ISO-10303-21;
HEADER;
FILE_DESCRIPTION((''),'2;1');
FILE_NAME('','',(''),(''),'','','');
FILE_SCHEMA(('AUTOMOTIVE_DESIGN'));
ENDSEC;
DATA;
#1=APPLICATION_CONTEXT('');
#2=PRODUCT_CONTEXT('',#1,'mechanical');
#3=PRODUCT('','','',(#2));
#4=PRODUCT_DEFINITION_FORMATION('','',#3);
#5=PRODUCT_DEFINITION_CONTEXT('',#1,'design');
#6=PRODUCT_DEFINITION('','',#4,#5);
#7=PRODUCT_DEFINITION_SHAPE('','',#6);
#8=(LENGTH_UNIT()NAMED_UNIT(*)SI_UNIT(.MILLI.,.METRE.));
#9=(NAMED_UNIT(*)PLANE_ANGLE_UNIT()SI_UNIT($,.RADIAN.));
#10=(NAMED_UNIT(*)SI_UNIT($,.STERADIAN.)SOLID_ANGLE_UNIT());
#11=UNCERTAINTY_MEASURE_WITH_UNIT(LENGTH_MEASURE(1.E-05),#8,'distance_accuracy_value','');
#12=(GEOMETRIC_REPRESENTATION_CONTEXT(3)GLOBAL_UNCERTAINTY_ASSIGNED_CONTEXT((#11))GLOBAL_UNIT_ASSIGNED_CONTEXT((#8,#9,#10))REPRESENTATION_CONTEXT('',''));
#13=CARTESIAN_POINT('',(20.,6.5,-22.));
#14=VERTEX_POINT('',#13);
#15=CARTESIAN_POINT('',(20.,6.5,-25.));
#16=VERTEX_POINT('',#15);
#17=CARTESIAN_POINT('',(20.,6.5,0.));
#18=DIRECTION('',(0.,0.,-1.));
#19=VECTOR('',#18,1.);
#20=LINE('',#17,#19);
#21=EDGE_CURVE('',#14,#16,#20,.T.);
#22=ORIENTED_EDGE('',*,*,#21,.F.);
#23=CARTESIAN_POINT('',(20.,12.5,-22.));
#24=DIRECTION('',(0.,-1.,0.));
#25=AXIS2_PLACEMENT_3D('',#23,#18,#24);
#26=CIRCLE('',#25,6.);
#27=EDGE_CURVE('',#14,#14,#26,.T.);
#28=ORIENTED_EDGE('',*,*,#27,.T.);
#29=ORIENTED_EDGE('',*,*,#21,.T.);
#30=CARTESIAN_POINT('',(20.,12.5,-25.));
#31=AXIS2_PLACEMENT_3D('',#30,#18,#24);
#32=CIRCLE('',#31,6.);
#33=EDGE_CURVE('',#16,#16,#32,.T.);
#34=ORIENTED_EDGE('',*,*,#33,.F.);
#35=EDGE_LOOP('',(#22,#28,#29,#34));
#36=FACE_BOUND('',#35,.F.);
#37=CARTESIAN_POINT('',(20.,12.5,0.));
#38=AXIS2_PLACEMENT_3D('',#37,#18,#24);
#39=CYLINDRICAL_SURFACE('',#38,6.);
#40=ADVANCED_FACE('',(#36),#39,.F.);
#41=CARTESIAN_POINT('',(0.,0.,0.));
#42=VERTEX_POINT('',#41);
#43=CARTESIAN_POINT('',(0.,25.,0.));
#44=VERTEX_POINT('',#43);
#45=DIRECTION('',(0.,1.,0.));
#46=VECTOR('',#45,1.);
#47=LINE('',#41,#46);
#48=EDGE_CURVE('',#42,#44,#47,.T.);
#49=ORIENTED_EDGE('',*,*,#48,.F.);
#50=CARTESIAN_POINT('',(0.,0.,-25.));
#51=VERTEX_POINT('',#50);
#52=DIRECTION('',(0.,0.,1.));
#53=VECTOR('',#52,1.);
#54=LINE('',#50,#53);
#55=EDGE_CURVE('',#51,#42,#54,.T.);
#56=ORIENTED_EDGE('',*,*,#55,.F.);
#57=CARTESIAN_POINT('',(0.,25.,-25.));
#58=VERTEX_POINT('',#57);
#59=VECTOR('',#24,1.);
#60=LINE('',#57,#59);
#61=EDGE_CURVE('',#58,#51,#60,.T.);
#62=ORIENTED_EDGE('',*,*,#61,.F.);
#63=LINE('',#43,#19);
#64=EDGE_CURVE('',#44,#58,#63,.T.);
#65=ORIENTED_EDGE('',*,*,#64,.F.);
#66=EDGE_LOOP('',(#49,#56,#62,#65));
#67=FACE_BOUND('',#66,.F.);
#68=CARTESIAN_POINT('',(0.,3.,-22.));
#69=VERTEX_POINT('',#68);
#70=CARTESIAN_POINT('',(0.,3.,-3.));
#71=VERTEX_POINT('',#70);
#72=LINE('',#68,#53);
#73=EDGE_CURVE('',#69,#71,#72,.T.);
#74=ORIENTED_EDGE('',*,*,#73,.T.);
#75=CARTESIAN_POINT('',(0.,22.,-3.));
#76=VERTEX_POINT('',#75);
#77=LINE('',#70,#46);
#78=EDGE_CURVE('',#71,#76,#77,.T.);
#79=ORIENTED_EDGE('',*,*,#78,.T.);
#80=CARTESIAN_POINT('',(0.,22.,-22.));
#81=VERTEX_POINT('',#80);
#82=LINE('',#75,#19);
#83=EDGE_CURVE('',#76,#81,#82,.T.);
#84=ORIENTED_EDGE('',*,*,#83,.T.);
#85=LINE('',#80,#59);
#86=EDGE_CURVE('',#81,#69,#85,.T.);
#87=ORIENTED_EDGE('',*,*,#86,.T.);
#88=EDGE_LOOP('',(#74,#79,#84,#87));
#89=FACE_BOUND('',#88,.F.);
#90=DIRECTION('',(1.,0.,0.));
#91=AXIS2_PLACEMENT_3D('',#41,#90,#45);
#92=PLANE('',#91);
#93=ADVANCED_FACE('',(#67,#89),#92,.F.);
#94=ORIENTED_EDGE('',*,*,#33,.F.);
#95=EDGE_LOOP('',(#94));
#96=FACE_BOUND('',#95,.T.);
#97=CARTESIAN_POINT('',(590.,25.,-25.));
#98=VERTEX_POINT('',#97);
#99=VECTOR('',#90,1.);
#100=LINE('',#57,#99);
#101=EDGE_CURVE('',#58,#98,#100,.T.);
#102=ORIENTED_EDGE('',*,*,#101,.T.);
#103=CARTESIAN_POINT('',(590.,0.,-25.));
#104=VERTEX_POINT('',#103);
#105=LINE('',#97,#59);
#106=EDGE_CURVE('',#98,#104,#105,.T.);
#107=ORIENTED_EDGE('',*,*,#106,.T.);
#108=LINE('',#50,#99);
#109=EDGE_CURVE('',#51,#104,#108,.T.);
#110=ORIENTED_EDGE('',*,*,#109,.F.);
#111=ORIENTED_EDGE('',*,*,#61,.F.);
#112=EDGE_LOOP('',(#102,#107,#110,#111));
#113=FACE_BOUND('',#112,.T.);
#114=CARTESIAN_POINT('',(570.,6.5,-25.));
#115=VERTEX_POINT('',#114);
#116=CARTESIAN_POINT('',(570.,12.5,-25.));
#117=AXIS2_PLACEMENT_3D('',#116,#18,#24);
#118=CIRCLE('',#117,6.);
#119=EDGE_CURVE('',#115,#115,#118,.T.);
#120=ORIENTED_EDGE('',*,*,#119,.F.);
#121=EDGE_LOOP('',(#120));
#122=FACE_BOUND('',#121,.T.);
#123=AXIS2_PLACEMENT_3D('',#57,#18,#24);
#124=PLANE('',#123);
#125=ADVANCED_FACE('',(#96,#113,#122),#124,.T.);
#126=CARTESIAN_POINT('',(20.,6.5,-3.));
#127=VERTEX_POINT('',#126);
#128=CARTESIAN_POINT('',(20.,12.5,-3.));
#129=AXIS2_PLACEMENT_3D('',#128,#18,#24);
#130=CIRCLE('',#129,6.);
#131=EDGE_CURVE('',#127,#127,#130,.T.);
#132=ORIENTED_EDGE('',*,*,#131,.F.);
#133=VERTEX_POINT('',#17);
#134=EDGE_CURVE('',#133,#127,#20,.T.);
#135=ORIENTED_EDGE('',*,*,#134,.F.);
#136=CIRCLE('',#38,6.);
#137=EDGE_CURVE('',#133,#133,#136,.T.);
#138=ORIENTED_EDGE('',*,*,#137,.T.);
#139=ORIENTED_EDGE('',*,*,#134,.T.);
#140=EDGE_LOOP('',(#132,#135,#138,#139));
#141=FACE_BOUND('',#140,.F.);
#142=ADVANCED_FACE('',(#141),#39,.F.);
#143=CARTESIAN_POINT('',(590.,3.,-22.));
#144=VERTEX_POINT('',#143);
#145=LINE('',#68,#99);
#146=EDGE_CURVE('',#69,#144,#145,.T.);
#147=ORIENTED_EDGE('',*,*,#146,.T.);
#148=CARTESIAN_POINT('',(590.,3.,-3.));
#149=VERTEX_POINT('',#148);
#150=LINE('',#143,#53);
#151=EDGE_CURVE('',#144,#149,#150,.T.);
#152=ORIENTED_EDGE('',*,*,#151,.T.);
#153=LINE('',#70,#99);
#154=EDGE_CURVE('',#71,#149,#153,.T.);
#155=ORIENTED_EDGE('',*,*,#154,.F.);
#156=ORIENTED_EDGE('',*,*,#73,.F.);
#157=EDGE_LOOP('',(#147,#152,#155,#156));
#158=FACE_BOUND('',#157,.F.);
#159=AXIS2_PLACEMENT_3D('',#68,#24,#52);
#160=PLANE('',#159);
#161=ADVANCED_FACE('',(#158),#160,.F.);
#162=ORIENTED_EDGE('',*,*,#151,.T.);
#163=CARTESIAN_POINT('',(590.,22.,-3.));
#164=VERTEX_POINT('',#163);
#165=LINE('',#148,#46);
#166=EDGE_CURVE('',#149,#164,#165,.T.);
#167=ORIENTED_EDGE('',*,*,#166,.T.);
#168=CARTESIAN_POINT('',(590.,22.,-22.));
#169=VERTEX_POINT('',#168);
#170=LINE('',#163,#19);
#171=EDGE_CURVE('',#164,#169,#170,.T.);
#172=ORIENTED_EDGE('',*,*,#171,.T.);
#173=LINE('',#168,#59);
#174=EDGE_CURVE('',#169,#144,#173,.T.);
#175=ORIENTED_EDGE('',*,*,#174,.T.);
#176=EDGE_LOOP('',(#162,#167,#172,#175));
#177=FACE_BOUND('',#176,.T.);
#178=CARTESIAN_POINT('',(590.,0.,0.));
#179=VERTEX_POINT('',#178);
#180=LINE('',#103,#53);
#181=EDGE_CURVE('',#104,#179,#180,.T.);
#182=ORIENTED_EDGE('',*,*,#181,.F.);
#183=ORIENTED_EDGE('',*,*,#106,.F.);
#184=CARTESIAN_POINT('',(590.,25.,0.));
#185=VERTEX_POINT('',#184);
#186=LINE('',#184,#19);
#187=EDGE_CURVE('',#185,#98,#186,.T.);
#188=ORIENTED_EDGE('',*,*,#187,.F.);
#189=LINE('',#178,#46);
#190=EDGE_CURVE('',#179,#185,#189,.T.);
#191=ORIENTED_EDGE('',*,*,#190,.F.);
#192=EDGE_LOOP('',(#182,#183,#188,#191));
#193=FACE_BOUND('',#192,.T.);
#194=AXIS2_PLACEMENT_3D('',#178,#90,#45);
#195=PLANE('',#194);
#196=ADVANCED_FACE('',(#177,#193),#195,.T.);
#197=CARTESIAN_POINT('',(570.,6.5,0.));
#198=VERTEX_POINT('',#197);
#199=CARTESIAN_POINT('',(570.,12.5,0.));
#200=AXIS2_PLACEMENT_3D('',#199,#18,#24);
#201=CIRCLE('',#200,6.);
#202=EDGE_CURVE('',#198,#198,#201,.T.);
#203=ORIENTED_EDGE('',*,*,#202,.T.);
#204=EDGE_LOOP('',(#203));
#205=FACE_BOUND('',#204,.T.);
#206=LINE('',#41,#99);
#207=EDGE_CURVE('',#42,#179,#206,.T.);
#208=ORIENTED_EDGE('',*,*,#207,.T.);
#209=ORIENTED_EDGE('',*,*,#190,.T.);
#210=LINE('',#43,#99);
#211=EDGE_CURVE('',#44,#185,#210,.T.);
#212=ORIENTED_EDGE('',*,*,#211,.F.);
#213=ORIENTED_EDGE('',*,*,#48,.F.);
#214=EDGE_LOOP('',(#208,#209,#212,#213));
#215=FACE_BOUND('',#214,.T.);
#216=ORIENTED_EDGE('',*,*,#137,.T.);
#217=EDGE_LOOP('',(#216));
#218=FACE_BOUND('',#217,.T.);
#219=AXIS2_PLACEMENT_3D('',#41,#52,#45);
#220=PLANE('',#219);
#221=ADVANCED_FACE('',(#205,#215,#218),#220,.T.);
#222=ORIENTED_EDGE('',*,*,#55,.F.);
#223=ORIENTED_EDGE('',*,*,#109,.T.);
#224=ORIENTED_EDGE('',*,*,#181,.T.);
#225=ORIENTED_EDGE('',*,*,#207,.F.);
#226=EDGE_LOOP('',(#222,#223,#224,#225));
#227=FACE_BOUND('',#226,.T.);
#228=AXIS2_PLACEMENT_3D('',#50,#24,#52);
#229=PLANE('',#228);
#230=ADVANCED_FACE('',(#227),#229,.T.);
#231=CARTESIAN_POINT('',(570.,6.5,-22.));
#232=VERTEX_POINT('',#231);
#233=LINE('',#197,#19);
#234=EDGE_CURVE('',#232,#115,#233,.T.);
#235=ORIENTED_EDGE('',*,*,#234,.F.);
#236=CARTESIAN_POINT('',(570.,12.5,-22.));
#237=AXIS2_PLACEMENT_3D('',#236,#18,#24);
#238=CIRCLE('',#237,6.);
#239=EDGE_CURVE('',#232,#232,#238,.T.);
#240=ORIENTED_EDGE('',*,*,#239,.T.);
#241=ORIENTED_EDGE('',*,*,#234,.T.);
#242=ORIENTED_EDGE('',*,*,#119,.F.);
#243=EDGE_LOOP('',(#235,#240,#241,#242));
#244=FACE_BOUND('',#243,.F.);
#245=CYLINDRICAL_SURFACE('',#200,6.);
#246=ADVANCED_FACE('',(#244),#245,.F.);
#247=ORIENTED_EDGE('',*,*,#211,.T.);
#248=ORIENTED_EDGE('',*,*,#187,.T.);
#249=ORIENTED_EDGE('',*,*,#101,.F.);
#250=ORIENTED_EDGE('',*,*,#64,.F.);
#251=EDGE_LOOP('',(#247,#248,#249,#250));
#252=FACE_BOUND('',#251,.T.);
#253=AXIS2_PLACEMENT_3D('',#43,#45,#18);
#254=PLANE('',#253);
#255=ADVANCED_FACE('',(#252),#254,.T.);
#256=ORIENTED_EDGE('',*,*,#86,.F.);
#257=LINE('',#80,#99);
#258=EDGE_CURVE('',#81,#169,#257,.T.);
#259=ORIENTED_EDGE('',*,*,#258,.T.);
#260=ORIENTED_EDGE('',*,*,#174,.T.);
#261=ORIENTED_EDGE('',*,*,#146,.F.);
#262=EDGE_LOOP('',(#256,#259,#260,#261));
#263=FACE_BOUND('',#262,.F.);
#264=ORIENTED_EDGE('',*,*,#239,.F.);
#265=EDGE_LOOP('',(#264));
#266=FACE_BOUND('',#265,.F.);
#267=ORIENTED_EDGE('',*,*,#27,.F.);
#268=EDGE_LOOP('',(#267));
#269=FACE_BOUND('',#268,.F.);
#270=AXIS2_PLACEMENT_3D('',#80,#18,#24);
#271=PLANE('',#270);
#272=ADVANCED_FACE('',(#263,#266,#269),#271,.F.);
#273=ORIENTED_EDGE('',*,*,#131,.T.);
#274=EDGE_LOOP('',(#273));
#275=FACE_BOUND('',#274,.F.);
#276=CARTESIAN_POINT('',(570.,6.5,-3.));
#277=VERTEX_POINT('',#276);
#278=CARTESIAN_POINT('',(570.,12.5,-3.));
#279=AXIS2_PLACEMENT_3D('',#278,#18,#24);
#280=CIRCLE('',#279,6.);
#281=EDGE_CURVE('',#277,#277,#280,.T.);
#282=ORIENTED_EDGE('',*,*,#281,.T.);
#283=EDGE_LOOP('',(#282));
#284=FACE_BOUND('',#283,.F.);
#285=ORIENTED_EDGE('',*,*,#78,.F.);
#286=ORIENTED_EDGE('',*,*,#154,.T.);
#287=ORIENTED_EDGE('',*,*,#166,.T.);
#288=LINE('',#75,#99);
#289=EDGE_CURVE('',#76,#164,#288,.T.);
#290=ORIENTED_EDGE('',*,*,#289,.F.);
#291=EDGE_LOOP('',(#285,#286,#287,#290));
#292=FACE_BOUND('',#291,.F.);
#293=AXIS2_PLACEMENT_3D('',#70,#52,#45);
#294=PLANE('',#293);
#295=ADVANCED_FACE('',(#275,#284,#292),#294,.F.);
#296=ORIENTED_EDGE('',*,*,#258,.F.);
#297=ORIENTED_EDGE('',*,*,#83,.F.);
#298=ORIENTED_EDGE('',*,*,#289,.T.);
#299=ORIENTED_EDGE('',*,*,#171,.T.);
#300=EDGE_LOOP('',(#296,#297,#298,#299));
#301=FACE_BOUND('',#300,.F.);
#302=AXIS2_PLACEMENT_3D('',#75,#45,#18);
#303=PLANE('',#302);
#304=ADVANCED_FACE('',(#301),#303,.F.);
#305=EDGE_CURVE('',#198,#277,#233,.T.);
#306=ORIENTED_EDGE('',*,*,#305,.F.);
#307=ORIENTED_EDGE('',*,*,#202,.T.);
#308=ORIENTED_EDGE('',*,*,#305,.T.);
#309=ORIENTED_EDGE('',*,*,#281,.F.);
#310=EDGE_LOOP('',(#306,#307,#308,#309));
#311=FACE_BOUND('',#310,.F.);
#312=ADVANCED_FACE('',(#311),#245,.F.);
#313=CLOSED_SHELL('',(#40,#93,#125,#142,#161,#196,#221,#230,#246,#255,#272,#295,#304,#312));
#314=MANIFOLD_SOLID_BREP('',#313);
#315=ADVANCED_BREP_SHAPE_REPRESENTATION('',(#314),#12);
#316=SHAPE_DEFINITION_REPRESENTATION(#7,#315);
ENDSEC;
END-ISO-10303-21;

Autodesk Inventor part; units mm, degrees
ref_plane "YZ Plane" through (0, 0, 0) normal (1, 0, 0) x (0, 1, 0)
ref_plane "XZ Plane" through (0, 0, 0) normal (0, 1, 0) x (-1, 0, 0)
ref_plane "XY Plane" through (0, 0, 0) normal (0, 0, 1) x (1, 0, 0)
sketch "Sketch1" plane through (0, 0, 0) normal (1, 0, 0) x (0, 1, 0)
  line L0 (0, 0) -> (25, 0)
  line L1 (25, 0) -> (25, -25)
  line L2 (25, -25) -> (0, -25)
  line L3 (0, -25) -> (0, 0)
  line L4 (3, -3) -> (22, -3)
  line L5 (22, -3) -> (22, -22)
  line L6 (22, -22) -> (3, -22)
  line L7 (3, -22) -> (3, -3)
  dimension "d0" = 25
  dimension "d1" = 25
  dimension "d2" = 3
extrude "Extrusion1" add sketch "Sketch1" along normal blind 590
sketch "Sketch2" plane through (0, 0, 0) normal (0, 0, 1) x (1, 0, 0)
  line L0 (0, 25) -> (590, 25) projected
  line L1 (0, 0) -> (590, 0) projected
  point P0 (20, 12.5)
  point P1 (570, 12.5)
  point P2 (295, 25)
  dimension "d5" = 550
  dimension "d6" = 275
  dimension "d7" = 12.5
  dimension "d15" = 12.5
hole "Hole1" at (20, 12.5, 0) at (570, 12.5, 0) direction (0, 0, -1) diameter 12 end through all
properties part number "P001" material "Aluminum 6061"
